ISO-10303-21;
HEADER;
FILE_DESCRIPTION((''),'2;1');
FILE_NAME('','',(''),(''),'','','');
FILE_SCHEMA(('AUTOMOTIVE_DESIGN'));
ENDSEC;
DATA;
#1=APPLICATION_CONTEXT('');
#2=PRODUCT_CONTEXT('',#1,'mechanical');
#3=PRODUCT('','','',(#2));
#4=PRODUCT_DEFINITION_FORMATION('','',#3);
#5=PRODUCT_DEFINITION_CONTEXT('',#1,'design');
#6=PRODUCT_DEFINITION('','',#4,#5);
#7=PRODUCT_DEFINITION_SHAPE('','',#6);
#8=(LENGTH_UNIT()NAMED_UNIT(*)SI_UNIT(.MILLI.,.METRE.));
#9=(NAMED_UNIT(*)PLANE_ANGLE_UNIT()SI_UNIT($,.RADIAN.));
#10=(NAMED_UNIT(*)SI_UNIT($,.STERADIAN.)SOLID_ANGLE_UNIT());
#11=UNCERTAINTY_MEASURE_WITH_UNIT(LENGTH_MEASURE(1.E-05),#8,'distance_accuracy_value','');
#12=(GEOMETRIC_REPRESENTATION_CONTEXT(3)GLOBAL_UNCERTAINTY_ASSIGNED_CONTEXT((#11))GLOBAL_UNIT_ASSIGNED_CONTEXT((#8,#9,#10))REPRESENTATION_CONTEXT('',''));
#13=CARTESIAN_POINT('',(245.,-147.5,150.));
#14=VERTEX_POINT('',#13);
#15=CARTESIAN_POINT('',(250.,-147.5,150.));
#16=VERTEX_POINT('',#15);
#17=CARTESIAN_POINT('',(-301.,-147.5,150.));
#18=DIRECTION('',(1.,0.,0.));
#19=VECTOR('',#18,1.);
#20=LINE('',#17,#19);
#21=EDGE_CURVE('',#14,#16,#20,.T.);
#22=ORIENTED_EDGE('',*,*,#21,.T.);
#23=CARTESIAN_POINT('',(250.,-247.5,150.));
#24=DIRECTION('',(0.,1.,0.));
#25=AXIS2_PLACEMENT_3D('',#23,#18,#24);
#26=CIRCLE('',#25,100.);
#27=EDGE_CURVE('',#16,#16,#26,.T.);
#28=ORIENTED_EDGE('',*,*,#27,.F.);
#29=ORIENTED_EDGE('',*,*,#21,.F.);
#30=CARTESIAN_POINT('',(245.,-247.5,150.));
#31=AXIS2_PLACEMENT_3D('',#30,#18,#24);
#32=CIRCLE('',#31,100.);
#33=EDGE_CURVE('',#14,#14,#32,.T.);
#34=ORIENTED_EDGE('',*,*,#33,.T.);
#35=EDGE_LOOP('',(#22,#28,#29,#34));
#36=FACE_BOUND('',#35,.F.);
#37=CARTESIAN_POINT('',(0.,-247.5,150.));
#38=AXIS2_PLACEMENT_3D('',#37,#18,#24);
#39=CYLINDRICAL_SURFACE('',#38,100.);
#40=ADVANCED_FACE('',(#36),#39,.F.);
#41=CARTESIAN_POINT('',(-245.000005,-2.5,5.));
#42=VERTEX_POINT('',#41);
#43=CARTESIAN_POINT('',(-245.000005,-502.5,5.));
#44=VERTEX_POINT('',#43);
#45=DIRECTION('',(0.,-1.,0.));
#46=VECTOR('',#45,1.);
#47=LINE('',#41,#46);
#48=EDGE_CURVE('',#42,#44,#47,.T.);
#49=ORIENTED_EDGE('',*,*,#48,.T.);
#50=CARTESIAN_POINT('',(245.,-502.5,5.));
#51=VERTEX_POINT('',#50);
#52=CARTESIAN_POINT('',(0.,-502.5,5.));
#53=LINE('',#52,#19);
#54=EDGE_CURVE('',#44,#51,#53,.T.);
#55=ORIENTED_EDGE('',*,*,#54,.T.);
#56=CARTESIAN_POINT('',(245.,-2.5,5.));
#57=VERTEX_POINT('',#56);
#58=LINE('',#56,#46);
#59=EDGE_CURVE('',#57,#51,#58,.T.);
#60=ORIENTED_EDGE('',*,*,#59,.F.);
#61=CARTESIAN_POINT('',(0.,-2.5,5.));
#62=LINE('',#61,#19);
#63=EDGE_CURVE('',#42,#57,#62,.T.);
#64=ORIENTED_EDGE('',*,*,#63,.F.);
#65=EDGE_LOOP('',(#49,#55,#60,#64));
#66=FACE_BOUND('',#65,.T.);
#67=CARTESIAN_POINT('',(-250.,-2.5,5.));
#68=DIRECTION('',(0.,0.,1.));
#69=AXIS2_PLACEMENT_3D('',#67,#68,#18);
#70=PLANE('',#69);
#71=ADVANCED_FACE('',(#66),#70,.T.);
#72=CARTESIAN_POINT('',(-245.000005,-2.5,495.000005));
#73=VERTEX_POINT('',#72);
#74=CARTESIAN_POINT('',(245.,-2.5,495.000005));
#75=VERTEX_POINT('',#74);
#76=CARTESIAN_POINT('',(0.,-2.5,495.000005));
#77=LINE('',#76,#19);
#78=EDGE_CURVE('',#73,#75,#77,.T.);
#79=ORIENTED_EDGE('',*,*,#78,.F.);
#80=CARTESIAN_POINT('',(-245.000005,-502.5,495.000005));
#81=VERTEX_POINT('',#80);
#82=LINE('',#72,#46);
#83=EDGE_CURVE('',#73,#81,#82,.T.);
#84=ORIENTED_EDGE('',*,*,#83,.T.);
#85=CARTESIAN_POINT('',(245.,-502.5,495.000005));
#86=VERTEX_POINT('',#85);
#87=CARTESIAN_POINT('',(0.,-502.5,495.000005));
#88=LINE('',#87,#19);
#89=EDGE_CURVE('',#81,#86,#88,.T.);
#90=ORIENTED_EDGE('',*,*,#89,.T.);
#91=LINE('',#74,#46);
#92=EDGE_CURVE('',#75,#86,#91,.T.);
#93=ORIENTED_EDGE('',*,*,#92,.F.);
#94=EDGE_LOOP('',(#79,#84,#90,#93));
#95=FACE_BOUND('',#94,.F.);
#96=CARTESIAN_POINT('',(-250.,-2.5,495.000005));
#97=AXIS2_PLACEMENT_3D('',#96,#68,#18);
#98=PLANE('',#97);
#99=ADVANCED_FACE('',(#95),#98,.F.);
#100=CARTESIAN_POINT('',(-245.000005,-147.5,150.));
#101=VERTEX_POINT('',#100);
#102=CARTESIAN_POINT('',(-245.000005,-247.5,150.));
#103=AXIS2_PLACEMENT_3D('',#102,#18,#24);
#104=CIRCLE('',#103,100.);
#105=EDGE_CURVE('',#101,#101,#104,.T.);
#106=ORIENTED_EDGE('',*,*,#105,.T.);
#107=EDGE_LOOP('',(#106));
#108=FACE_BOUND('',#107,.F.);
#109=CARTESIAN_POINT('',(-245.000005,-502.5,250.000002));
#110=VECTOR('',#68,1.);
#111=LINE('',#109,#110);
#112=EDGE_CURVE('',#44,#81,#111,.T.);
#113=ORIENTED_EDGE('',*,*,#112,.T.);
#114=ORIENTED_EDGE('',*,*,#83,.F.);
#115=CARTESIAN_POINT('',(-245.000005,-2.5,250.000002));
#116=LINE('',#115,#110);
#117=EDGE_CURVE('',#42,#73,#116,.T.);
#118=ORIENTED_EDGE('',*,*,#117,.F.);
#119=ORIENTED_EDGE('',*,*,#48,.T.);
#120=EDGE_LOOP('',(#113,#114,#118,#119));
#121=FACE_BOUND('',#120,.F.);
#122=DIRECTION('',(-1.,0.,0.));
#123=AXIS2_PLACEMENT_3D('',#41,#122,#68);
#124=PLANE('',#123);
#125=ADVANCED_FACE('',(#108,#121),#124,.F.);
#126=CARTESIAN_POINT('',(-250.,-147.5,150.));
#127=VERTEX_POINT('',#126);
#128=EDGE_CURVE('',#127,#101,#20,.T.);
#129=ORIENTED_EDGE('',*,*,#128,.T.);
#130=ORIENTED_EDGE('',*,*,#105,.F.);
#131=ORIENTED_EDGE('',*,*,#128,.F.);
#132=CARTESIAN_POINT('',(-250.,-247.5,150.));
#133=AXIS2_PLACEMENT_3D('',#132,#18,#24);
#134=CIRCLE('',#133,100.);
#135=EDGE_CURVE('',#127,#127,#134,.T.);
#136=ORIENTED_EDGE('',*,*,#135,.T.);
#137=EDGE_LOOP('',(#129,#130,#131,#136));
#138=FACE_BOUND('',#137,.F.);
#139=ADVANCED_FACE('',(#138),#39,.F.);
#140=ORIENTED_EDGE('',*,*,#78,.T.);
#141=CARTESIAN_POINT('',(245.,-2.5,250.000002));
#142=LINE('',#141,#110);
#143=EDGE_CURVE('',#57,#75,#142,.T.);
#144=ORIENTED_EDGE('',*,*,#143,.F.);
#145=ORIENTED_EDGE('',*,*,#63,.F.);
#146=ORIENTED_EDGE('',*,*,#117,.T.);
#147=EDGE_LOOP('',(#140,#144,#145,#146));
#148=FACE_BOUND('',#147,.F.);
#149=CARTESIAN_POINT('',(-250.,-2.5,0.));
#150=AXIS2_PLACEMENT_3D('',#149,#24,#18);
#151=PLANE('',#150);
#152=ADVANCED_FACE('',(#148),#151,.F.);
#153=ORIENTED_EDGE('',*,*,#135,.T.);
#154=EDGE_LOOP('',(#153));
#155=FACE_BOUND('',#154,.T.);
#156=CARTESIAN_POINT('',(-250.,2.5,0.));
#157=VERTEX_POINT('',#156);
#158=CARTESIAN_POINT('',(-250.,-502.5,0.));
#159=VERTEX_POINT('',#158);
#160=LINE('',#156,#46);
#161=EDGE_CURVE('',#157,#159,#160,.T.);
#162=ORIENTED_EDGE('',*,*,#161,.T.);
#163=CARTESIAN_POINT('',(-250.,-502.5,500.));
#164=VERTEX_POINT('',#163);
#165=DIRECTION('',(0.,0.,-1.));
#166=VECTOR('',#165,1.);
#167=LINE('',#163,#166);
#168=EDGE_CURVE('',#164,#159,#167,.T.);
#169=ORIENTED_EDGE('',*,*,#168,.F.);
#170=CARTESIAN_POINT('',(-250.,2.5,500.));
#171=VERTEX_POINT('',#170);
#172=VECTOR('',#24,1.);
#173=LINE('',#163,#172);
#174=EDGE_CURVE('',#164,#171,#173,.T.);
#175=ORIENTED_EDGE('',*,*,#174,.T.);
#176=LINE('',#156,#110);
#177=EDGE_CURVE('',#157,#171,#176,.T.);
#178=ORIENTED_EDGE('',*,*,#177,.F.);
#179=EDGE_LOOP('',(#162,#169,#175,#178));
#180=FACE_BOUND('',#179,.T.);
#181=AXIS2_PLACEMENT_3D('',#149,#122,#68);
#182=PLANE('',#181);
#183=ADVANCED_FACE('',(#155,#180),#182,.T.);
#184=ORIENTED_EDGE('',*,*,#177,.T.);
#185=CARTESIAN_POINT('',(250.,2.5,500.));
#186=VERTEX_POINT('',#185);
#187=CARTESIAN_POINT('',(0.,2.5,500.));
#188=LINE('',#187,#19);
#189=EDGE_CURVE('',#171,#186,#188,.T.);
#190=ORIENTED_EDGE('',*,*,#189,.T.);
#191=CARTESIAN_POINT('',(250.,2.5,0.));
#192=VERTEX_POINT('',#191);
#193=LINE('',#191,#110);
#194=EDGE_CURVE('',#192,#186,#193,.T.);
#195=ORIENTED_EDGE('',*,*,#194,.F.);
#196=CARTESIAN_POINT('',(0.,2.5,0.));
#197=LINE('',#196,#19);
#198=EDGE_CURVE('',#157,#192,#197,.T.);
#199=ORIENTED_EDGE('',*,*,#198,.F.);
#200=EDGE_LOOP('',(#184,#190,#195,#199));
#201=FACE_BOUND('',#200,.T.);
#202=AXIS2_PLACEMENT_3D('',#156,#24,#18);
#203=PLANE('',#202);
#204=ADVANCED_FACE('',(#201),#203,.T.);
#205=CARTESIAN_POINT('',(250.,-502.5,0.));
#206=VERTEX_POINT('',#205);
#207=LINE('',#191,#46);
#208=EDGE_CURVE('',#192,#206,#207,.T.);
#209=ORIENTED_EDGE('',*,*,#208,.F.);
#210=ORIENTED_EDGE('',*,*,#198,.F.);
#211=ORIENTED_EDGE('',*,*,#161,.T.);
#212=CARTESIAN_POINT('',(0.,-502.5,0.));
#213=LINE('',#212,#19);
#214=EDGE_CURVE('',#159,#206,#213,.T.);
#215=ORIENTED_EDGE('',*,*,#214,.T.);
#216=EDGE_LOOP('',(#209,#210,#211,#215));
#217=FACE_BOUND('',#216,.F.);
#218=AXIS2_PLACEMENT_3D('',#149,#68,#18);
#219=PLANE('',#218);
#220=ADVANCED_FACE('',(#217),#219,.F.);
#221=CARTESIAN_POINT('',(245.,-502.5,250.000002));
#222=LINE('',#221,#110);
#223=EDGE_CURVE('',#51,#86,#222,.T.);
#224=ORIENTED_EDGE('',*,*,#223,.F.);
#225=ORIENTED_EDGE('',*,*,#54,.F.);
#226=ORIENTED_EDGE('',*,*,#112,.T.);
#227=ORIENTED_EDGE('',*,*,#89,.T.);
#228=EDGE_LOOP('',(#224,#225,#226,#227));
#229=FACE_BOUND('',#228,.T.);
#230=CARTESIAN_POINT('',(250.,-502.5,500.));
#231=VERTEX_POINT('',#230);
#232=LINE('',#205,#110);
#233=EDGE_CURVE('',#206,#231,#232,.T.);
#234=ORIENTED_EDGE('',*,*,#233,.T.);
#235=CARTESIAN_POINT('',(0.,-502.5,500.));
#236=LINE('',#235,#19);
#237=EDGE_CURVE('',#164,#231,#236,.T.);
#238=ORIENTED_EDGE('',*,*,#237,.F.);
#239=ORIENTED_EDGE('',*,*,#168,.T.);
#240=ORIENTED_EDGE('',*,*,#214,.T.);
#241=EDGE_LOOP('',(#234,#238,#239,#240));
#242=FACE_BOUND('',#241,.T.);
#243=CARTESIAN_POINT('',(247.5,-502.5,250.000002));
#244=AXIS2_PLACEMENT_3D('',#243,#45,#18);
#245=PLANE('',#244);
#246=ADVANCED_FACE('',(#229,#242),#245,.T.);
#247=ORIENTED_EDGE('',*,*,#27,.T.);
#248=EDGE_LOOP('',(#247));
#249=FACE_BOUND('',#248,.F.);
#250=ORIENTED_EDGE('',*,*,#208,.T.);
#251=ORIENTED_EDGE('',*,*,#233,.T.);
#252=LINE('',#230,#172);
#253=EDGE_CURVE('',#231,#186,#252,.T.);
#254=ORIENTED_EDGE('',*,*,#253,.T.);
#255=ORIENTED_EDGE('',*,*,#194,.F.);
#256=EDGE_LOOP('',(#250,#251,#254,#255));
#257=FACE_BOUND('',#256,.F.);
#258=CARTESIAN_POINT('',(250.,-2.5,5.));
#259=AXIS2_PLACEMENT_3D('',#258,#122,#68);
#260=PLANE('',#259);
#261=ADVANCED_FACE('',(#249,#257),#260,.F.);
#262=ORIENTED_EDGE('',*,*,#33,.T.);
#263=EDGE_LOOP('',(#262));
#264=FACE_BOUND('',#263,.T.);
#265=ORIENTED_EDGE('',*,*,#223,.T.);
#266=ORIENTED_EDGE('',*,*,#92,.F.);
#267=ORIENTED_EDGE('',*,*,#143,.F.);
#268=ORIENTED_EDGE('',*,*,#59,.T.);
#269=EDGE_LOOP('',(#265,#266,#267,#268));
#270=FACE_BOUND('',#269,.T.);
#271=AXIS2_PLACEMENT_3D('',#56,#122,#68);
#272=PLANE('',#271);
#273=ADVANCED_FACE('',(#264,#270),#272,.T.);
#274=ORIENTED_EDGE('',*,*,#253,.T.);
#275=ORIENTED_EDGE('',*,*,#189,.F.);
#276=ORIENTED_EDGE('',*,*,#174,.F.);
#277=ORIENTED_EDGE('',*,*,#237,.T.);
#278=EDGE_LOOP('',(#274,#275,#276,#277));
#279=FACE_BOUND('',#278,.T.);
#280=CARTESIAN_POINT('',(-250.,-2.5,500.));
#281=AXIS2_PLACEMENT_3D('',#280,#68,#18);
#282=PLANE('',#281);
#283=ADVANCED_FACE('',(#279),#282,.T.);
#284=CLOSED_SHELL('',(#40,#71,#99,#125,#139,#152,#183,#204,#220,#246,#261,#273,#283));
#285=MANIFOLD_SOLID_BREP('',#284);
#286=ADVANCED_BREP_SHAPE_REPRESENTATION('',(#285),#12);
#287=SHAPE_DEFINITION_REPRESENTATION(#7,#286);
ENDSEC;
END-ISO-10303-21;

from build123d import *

# Parameters (mm, degrees)
F0_W     = 500
F0_H     = 5
F1_DEPTH = 500
F2_W     = 500
F2_H     = 4.9999952316
F3_DEPTH = 500
F4_W     = 500
F4_H     = 5
F5_DEPTH = 500
F6_W     = 5
F6_H     = 490.0000047684
F6_W_2   = 4.9999952316
F7_DEPTH = 500
F8_R     = 100
F9_DEPTH = 301


with BuildPart() as f1:
    # F0 (on Top) → F1 (new body)
    with BuildSketch(Plane.XY):
        Rectangle(F0_W, F0_H)
    extrude(amount=F1_DEPTH)

    # F2 (on face) → F3 (join)
    with BuildSketch(Plane.XZ.offset(2.5)):
        with Locations((0, 497.5000023842)):
            Rectangle(F2_W, F2_H)
    extrude(amount=F3_DEPTH)

    # F4 (on face) → F5 (join)
    with BuildSketch(Plane.XZ.offset(2.5)):
        with Locations((0, 2.5)):
            Rectangle(F4_W, F4_H)
    extrude(amount=F5_DEPTH)

    # F6 (on face) → F7 (join)
    with BuildSketch(Plane.XZ.offset(2.5)):
        with Locations((247.5, 250.0000023842)):
            Rectangle(F6_W, F6_H)
        with Locations((-247.5000023842, 250.0000023842)):
            Rectangle(F6_W_2, F6_H)
    extrude(amount=F7_DEPTH)

    # F8 (on Right) → F9 (cut, symmetric)
    with BuildSketch(Plane.YZ):
        with Locations((-247.5, 150)):
            Circle(F8_R)
    extrude(amount=F9_DEPTH, both=True, mode=Mode.SUBTRACT)


solid = f1.part
